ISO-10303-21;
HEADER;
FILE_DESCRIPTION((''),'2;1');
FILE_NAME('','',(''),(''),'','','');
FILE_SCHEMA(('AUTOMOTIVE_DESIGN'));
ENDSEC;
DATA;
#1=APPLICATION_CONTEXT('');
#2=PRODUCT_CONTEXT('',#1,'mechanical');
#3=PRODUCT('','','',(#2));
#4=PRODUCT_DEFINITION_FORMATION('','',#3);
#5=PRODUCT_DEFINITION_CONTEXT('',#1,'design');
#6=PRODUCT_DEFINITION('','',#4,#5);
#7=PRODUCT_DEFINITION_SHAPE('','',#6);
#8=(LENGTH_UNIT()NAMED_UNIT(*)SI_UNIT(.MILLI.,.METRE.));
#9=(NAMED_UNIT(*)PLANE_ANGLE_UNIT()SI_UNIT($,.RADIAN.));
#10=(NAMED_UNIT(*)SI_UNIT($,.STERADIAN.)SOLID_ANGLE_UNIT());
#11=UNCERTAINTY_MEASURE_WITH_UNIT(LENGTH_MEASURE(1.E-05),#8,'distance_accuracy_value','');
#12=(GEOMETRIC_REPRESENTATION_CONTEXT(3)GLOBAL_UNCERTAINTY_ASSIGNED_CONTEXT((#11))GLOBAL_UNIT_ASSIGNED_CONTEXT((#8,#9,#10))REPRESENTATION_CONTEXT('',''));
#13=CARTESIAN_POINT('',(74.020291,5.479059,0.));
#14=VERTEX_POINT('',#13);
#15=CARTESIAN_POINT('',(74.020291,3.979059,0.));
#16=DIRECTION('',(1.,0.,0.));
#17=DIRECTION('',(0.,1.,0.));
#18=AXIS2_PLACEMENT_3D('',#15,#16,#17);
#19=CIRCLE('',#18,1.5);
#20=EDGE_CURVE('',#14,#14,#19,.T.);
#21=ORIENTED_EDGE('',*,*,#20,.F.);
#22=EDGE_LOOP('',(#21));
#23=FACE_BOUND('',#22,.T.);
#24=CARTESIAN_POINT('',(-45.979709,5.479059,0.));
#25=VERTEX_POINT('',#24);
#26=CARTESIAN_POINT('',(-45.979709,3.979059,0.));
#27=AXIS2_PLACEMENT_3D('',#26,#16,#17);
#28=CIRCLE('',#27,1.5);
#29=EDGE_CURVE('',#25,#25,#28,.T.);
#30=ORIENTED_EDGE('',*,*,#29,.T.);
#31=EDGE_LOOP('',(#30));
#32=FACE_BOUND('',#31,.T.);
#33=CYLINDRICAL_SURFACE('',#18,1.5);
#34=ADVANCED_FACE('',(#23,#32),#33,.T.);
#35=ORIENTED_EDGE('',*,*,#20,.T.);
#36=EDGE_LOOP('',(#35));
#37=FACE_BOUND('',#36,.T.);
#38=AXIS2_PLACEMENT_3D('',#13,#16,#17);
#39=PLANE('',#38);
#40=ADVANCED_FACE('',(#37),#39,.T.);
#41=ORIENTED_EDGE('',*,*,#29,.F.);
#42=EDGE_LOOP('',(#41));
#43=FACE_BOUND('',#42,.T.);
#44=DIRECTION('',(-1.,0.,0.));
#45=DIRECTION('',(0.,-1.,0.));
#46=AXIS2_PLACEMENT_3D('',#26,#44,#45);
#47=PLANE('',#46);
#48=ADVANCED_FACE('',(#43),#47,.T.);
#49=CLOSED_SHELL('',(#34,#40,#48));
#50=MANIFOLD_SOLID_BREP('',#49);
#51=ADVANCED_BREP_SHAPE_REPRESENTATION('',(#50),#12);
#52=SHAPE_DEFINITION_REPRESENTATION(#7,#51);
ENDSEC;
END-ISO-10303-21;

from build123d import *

# Parameters (mm, degrees)
SKETCH1_W = 120
SKETCH1_H = 1.5


with BuildPart() as part:
    # Sketch1 → Revolve1 (revolve)
    with BuildSketch(Plane.XY):
        with Locations((14.020291014, 4.729059394)):
            Rectangle(SKETCH1_W, SKETCH1_H)
    revolve(axis=Axis((74.020291014, 3.979059394, 0), (-1, 0, 0)))


solid = part.part
